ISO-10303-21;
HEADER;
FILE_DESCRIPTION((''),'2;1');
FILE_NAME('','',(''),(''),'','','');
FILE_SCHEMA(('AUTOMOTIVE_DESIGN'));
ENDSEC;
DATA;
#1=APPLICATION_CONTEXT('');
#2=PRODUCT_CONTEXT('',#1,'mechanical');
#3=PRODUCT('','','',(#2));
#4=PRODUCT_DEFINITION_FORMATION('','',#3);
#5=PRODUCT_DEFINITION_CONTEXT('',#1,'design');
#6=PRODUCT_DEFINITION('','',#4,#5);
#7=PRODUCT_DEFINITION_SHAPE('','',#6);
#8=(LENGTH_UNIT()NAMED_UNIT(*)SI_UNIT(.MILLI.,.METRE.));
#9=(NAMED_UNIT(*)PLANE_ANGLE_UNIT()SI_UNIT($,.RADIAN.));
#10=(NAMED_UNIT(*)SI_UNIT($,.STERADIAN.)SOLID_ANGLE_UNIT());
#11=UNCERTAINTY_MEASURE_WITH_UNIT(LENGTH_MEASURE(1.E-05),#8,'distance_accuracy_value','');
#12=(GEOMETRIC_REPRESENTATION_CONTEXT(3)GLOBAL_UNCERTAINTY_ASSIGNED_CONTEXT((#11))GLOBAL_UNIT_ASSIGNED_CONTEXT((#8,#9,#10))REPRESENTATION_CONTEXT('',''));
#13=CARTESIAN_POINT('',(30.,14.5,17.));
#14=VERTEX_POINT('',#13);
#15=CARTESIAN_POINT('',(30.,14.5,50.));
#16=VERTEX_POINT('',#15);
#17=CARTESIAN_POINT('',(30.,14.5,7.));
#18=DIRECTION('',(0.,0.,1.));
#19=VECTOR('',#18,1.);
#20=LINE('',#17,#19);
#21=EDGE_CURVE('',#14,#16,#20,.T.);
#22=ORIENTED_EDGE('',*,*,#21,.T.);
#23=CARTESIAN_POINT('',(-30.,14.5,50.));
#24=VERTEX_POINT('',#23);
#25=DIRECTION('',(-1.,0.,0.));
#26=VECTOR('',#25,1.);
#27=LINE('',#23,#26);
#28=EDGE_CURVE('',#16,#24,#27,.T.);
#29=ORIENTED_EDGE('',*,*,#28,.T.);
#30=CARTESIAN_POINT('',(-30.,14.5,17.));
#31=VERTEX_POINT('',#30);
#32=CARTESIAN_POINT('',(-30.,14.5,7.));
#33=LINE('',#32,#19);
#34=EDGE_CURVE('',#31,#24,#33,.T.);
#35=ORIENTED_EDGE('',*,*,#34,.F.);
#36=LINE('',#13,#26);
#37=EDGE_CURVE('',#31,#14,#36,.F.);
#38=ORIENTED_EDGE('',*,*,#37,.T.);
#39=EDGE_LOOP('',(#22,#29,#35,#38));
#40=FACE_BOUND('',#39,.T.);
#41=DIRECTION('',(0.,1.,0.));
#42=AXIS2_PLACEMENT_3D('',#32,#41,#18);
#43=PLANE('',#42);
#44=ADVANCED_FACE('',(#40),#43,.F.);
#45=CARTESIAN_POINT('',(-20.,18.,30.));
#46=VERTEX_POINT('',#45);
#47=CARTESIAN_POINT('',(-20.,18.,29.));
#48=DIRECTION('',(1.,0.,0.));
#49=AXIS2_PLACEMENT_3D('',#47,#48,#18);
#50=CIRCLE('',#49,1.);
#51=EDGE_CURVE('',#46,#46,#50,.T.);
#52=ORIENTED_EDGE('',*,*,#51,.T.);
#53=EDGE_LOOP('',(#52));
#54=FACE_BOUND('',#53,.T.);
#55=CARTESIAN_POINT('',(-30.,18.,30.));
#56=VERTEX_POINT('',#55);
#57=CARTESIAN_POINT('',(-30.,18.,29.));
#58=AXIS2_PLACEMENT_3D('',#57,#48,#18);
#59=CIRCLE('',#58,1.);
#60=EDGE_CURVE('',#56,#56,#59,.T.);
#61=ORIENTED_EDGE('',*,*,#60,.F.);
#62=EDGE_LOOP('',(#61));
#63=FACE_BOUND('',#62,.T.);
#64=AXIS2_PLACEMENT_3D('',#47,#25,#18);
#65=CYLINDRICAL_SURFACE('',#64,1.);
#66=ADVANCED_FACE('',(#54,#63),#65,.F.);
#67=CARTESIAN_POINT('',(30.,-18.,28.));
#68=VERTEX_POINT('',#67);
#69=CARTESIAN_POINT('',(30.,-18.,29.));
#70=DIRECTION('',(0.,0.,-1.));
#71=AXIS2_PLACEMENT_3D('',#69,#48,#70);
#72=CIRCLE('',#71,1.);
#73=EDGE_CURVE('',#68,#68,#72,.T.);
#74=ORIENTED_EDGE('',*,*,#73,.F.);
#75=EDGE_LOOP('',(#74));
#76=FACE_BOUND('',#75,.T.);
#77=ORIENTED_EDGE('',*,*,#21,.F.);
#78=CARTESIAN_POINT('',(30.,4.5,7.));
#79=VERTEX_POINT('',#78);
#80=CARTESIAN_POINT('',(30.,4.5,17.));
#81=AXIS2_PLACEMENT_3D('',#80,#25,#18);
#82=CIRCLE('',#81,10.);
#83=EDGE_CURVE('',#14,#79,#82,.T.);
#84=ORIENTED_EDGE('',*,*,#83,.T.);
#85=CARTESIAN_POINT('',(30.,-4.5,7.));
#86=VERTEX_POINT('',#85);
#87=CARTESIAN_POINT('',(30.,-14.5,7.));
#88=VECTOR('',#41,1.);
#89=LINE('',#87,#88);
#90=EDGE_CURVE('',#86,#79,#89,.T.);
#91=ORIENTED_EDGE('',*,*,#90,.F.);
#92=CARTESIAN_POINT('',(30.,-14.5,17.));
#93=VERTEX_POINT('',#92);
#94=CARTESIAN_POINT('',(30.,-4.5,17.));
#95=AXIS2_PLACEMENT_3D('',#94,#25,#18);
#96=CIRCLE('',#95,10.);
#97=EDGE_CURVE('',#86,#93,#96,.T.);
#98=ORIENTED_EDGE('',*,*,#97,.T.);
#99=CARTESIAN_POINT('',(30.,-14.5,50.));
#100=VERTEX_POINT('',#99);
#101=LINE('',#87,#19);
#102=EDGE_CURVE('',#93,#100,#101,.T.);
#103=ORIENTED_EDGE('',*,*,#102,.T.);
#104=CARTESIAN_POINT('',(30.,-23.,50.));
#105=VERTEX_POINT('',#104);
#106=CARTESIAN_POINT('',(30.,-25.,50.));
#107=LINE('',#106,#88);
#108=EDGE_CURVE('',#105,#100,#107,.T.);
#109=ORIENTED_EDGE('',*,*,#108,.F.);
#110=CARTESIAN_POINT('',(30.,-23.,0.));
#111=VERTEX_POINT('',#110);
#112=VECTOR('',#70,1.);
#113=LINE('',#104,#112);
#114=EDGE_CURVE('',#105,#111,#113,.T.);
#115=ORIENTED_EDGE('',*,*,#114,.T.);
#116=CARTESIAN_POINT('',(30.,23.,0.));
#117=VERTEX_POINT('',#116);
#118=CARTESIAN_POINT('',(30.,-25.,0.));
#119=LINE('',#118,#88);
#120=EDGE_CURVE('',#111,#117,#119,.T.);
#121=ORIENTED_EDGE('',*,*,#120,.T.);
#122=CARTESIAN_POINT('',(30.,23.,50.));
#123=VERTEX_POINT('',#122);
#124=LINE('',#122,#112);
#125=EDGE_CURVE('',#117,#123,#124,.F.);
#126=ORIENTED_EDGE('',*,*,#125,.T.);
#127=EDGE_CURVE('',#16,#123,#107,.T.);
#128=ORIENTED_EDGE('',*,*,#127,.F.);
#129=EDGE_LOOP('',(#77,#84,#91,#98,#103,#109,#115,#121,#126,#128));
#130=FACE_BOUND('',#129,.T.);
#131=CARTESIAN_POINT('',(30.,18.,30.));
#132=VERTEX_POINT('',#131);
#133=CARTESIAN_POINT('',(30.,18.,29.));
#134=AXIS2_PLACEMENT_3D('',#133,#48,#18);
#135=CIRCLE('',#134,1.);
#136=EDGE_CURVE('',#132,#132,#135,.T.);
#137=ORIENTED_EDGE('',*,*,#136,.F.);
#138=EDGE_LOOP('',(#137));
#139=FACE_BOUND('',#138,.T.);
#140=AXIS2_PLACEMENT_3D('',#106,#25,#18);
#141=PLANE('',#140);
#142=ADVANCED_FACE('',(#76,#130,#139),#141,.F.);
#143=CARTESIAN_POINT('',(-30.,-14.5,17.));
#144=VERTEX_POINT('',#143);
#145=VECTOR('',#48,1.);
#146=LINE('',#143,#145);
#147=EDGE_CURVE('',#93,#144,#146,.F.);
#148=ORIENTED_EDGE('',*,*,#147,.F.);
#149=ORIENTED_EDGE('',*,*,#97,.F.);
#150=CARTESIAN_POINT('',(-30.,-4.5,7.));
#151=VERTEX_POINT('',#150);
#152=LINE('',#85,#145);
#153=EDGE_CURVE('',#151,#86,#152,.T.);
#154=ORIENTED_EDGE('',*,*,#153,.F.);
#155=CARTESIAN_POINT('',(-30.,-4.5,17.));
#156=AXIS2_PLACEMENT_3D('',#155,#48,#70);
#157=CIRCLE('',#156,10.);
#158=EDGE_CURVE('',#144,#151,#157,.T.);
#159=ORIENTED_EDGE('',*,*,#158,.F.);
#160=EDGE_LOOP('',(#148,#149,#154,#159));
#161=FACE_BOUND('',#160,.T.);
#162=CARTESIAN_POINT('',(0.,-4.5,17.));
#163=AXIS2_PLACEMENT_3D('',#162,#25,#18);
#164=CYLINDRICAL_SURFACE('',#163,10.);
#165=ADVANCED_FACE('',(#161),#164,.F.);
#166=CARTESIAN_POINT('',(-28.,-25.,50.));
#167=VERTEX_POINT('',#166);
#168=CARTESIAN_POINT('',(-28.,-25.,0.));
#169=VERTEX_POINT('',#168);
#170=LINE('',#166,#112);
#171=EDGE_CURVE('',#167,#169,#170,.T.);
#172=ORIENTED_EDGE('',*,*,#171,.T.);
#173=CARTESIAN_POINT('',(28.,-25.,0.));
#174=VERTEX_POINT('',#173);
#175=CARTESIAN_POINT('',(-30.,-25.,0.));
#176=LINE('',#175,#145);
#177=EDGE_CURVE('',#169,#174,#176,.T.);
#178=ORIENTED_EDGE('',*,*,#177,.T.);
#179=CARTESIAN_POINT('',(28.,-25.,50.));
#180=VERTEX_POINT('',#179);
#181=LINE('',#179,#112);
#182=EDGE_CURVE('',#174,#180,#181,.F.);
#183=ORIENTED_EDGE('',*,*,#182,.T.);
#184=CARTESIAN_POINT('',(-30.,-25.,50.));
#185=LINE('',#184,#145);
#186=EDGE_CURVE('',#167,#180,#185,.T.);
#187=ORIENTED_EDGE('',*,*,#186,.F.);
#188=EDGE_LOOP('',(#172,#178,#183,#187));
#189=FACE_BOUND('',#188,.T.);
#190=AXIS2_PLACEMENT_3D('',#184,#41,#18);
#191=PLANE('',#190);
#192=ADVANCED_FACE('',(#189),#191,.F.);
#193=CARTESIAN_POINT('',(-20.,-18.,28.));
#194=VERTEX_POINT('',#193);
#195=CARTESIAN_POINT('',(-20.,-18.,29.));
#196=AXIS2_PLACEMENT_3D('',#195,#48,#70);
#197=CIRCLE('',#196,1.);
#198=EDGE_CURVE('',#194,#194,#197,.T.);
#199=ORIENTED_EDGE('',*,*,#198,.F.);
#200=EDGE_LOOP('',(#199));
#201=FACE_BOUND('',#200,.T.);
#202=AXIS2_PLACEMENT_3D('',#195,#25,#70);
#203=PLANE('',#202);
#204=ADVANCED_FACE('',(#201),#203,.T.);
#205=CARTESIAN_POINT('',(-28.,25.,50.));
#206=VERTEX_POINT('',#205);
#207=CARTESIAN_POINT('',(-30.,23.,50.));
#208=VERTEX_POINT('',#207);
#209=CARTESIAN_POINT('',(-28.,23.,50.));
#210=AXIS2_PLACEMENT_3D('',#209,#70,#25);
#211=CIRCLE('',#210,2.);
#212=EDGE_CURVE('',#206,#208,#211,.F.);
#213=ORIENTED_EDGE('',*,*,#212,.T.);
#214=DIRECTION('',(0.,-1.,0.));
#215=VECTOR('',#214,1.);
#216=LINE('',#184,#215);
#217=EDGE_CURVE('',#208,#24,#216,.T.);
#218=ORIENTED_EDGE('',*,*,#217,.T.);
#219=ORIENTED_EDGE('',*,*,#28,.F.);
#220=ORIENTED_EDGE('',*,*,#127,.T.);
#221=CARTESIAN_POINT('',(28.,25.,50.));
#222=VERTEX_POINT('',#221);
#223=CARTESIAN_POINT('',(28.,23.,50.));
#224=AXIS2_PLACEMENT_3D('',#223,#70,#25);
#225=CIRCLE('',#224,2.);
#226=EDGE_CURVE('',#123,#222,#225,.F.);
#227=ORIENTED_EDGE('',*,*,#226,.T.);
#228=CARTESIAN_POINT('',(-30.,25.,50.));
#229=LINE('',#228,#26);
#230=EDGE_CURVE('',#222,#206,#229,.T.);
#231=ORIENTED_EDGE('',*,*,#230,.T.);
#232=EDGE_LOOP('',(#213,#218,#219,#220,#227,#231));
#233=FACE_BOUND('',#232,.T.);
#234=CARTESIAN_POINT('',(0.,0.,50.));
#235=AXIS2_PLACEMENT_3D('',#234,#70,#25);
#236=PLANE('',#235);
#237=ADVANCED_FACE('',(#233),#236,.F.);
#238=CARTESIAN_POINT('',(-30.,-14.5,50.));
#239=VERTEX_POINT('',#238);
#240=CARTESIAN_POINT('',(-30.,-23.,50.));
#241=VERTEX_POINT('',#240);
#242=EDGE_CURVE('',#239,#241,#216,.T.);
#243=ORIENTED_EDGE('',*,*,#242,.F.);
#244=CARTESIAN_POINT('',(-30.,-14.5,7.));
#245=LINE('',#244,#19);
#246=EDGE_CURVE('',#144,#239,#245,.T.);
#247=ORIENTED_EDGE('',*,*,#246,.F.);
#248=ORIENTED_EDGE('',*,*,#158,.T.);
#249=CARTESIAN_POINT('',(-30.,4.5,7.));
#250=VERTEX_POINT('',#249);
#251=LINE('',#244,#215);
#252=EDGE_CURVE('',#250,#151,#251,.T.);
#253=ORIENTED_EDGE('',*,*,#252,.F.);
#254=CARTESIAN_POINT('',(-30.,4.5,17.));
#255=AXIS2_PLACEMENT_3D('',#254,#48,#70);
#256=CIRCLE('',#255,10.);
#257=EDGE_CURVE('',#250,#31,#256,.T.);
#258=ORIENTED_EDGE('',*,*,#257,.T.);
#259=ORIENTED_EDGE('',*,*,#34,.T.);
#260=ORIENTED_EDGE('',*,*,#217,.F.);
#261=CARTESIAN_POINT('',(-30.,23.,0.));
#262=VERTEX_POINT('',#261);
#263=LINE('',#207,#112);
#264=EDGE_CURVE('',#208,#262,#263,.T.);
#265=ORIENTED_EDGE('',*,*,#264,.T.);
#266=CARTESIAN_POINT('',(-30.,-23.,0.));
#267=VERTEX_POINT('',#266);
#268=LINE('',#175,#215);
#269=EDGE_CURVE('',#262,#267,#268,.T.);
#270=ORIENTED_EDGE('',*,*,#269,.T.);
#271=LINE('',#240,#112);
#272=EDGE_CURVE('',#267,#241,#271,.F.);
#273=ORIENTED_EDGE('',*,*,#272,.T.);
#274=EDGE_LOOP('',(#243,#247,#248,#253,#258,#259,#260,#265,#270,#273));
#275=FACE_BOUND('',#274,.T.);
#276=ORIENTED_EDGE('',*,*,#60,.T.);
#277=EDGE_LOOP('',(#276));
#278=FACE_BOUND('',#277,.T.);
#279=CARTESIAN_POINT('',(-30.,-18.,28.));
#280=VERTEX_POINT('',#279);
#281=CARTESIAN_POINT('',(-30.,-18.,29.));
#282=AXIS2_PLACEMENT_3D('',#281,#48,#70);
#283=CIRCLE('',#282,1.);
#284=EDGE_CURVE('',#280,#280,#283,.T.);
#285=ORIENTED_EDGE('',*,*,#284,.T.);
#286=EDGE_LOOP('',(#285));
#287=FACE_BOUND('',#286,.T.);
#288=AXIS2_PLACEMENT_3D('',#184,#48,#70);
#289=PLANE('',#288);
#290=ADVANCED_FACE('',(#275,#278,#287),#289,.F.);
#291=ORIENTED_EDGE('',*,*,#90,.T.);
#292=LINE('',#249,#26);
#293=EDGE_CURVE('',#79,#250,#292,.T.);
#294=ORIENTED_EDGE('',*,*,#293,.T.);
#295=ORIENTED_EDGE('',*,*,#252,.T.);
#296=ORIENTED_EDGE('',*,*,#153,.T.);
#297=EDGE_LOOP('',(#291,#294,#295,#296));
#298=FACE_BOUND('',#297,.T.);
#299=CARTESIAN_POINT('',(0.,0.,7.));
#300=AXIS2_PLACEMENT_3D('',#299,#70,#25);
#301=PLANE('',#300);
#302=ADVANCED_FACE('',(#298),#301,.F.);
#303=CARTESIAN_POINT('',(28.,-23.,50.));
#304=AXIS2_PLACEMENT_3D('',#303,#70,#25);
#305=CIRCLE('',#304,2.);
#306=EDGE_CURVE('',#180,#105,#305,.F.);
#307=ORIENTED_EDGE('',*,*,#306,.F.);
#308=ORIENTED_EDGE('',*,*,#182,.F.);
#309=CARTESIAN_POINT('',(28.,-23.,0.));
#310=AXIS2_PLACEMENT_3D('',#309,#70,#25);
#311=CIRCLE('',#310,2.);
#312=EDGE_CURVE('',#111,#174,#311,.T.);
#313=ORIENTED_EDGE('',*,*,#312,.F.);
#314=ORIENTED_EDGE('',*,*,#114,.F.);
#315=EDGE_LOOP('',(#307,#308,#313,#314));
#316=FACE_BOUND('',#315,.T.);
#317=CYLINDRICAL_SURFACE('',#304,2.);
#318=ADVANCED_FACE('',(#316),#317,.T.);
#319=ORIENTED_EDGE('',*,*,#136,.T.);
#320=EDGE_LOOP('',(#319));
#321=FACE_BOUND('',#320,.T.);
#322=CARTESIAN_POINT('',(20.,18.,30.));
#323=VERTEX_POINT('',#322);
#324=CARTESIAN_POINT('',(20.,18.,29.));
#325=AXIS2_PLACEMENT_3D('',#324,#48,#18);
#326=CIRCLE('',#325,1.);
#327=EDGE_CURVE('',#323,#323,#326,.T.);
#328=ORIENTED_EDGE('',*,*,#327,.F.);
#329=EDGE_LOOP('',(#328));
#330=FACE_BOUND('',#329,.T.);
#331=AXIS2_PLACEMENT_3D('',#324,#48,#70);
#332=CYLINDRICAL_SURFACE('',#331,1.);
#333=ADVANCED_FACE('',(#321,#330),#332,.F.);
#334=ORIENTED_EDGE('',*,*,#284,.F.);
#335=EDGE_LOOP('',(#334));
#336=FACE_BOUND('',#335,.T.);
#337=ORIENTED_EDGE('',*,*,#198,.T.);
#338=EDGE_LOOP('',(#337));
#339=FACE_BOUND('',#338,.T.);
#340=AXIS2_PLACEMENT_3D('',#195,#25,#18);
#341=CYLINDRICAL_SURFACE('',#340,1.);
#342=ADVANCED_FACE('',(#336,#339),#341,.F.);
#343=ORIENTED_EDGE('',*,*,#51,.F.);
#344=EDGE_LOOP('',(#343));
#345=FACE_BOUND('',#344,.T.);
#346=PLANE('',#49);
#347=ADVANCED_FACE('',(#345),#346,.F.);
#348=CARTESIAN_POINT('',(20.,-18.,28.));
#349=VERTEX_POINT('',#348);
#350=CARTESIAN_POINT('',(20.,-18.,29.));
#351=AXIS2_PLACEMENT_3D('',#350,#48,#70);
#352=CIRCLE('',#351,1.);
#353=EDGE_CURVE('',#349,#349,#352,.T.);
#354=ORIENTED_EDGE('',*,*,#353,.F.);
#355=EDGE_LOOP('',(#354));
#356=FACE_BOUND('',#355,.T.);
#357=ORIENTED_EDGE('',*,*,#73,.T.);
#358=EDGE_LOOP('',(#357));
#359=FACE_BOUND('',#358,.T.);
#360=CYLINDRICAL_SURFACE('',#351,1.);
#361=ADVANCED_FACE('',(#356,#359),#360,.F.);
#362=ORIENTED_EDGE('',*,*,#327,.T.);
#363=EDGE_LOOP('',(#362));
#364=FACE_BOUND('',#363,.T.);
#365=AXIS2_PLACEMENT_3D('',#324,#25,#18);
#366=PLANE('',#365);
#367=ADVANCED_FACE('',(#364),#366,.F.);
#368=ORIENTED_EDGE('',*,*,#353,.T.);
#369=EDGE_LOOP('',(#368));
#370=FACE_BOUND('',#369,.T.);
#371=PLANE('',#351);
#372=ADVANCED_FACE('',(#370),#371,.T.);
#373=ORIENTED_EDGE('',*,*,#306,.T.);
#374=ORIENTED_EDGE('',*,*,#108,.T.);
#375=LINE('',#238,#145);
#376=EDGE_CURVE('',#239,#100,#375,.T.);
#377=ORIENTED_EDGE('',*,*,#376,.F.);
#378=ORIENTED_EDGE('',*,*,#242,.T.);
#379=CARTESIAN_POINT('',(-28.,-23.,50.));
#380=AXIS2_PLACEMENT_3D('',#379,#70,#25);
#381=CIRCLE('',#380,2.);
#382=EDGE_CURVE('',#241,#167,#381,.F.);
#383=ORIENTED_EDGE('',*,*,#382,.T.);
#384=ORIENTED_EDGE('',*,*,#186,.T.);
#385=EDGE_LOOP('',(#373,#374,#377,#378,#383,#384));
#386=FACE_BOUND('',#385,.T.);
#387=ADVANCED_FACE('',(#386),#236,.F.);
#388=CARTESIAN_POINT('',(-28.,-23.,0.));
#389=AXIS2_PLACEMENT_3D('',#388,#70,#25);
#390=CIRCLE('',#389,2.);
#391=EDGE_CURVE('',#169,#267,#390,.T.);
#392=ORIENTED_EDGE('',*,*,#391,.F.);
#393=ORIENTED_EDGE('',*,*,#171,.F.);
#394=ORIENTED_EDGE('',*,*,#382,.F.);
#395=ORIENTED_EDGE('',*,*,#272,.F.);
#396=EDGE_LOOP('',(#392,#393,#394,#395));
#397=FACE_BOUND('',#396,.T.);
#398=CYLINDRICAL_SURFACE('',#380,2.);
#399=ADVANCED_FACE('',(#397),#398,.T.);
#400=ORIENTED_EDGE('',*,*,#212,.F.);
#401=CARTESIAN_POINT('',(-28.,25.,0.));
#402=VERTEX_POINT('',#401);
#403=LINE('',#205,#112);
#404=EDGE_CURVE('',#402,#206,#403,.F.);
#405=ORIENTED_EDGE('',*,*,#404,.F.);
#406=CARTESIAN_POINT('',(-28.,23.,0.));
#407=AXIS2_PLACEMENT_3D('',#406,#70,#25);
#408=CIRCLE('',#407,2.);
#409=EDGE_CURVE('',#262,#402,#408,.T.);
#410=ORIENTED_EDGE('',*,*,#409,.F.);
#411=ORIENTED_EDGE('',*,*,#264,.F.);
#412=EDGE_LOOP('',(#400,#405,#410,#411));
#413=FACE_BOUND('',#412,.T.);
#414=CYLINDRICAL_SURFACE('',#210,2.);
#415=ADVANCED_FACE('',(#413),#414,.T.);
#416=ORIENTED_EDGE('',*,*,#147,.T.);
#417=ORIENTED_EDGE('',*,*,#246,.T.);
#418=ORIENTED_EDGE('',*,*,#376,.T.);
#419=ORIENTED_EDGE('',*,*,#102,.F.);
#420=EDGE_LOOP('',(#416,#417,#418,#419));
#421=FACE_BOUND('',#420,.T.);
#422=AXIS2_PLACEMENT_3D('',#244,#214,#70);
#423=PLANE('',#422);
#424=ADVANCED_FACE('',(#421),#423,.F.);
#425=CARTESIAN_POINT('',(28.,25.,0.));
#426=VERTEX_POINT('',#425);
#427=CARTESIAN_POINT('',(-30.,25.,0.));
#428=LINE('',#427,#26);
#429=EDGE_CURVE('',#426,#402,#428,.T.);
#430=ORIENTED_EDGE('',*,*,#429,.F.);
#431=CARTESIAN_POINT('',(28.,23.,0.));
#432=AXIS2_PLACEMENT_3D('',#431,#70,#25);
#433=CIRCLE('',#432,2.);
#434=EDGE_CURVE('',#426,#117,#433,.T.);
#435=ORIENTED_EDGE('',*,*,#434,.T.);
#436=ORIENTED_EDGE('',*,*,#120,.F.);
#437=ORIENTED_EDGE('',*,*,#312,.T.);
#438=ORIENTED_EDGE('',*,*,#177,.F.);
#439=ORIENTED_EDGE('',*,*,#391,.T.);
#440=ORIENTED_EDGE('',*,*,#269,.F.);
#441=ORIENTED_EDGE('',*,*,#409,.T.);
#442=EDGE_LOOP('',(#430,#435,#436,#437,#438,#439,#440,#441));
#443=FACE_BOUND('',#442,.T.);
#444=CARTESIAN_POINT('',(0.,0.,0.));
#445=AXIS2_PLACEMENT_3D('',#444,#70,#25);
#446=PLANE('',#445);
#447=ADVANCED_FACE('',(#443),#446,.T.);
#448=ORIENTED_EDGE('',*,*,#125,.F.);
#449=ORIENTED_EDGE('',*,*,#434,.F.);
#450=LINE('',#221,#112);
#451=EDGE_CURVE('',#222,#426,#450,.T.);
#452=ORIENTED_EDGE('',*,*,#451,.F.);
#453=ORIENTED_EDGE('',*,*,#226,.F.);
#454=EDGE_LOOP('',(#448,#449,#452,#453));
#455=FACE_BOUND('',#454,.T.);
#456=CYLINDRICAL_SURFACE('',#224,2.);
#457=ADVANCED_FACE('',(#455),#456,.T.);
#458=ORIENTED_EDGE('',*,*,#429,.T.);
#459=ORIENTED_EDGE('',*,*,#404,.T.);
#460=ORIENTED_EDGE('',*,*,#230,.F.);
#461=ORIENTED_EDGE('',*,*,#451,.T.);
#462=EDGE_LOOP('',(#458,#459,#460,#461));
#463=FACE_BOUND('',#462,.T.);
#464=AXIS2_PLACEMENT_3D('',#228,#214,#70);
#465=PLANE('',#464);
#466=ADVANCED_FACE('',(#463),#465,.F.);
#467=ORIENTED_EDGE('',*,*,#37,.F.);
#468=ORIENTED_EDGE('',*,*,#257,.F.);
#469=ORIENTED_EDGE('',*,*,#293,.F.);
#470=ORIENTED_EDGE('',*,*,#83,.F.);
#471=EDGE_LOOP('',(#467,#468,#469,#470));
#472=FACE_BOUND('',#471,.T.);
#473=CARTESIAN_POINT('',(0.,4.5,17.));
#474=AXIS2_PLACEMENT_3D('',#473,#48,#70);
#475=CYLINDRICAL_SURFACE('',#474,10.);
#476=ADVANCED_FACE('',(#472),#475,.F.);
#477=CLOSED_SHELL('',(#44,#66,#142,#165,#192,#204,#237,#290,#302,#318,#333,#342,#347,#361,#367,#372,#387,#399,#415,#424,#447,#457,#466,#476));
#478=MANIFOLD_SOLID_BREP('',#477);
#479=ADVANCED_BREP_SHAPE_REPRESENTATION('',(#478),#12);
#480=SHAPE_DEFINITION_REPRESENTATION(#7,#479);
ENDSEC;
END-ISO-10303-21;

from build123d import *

# Parameters (mm, degrees)
ESBO_O1_W                = 60
ESBO_O1_H                = 50
RESSALTO_EXTRUS_O1_DEPTH = 50
ESBO_O2_W                = 60
ESBO_O2_H                = 29
CORTE_EXTRUS_O1_DEPTH    = 43
FILETE1_R                = 10
FILETE2_R                = 2
ESBO_O3_R                = 1
CORTE_EXTRUS_O2_DEPTH    = 10


with BuildPart() as part:
    # Esboço1 → Ressalto-extrusão1 (new body)
    with BuildSketch(Plane.XY):
        Rectangle(ESBO_O1_W, ESBO_O1_H)
    extrude(amount=RESSALTO_EXTRUS_O1_DEPTH)

    # Esboço2 → Corte-extrusão1 (cut)
    with BuildSketch(Plane.XY.offset(50)):
        Rectangle(ESBO_O2_W, ESBO_O2_H)
    extrude(amount=-CORTE_EXTRUS_O1_DEPTH, mode=Mode.SUBTRACT)

    # Filete1
    filete1_edges = [part.edges().sort_by_distance(p)[0] for p in [
        (0, -14.5, 7),
        (0, 14.5, 7),
    ]]
    fillet(filete1_edges, radius=FILETE1_R)

    # Filete2
    filete2_edges = [part.edges().sort_by_distance(p)[0] for p in [
        (30, -25, 25),
        (-30, -25, 25),
        (-30, 25, 25),
        (30, 25, 25),
    ]]
    fillet(filete2_edges, radius=FILETE2_R)

    # Esboço3 → Corte-extrusão2 (cut)
    with BuildSketch(Plane(origin=(30, 0, 0), x_dir=(0, 0, -1), z_dir=(1, 0, 0))):
        with Locations((-29, -18)):
            Circle(ESBO_O3_R)
        with Locations(Location((-29, 18, 0), (0, 0, 180))):
            Circle(ESBO_O3_R)
    corte_extrus_o2 = extrude(amount=-CORTE_EXTRUS_O2_DEPTH, mode=Mode.SUBTRACT)

    # Espelhar1: Corte-extrusão2 across plane
    add(corte_extrus_o2.mirror(Plane.ZY), mode=Mode.SUBTRACT)


solid = part.part
